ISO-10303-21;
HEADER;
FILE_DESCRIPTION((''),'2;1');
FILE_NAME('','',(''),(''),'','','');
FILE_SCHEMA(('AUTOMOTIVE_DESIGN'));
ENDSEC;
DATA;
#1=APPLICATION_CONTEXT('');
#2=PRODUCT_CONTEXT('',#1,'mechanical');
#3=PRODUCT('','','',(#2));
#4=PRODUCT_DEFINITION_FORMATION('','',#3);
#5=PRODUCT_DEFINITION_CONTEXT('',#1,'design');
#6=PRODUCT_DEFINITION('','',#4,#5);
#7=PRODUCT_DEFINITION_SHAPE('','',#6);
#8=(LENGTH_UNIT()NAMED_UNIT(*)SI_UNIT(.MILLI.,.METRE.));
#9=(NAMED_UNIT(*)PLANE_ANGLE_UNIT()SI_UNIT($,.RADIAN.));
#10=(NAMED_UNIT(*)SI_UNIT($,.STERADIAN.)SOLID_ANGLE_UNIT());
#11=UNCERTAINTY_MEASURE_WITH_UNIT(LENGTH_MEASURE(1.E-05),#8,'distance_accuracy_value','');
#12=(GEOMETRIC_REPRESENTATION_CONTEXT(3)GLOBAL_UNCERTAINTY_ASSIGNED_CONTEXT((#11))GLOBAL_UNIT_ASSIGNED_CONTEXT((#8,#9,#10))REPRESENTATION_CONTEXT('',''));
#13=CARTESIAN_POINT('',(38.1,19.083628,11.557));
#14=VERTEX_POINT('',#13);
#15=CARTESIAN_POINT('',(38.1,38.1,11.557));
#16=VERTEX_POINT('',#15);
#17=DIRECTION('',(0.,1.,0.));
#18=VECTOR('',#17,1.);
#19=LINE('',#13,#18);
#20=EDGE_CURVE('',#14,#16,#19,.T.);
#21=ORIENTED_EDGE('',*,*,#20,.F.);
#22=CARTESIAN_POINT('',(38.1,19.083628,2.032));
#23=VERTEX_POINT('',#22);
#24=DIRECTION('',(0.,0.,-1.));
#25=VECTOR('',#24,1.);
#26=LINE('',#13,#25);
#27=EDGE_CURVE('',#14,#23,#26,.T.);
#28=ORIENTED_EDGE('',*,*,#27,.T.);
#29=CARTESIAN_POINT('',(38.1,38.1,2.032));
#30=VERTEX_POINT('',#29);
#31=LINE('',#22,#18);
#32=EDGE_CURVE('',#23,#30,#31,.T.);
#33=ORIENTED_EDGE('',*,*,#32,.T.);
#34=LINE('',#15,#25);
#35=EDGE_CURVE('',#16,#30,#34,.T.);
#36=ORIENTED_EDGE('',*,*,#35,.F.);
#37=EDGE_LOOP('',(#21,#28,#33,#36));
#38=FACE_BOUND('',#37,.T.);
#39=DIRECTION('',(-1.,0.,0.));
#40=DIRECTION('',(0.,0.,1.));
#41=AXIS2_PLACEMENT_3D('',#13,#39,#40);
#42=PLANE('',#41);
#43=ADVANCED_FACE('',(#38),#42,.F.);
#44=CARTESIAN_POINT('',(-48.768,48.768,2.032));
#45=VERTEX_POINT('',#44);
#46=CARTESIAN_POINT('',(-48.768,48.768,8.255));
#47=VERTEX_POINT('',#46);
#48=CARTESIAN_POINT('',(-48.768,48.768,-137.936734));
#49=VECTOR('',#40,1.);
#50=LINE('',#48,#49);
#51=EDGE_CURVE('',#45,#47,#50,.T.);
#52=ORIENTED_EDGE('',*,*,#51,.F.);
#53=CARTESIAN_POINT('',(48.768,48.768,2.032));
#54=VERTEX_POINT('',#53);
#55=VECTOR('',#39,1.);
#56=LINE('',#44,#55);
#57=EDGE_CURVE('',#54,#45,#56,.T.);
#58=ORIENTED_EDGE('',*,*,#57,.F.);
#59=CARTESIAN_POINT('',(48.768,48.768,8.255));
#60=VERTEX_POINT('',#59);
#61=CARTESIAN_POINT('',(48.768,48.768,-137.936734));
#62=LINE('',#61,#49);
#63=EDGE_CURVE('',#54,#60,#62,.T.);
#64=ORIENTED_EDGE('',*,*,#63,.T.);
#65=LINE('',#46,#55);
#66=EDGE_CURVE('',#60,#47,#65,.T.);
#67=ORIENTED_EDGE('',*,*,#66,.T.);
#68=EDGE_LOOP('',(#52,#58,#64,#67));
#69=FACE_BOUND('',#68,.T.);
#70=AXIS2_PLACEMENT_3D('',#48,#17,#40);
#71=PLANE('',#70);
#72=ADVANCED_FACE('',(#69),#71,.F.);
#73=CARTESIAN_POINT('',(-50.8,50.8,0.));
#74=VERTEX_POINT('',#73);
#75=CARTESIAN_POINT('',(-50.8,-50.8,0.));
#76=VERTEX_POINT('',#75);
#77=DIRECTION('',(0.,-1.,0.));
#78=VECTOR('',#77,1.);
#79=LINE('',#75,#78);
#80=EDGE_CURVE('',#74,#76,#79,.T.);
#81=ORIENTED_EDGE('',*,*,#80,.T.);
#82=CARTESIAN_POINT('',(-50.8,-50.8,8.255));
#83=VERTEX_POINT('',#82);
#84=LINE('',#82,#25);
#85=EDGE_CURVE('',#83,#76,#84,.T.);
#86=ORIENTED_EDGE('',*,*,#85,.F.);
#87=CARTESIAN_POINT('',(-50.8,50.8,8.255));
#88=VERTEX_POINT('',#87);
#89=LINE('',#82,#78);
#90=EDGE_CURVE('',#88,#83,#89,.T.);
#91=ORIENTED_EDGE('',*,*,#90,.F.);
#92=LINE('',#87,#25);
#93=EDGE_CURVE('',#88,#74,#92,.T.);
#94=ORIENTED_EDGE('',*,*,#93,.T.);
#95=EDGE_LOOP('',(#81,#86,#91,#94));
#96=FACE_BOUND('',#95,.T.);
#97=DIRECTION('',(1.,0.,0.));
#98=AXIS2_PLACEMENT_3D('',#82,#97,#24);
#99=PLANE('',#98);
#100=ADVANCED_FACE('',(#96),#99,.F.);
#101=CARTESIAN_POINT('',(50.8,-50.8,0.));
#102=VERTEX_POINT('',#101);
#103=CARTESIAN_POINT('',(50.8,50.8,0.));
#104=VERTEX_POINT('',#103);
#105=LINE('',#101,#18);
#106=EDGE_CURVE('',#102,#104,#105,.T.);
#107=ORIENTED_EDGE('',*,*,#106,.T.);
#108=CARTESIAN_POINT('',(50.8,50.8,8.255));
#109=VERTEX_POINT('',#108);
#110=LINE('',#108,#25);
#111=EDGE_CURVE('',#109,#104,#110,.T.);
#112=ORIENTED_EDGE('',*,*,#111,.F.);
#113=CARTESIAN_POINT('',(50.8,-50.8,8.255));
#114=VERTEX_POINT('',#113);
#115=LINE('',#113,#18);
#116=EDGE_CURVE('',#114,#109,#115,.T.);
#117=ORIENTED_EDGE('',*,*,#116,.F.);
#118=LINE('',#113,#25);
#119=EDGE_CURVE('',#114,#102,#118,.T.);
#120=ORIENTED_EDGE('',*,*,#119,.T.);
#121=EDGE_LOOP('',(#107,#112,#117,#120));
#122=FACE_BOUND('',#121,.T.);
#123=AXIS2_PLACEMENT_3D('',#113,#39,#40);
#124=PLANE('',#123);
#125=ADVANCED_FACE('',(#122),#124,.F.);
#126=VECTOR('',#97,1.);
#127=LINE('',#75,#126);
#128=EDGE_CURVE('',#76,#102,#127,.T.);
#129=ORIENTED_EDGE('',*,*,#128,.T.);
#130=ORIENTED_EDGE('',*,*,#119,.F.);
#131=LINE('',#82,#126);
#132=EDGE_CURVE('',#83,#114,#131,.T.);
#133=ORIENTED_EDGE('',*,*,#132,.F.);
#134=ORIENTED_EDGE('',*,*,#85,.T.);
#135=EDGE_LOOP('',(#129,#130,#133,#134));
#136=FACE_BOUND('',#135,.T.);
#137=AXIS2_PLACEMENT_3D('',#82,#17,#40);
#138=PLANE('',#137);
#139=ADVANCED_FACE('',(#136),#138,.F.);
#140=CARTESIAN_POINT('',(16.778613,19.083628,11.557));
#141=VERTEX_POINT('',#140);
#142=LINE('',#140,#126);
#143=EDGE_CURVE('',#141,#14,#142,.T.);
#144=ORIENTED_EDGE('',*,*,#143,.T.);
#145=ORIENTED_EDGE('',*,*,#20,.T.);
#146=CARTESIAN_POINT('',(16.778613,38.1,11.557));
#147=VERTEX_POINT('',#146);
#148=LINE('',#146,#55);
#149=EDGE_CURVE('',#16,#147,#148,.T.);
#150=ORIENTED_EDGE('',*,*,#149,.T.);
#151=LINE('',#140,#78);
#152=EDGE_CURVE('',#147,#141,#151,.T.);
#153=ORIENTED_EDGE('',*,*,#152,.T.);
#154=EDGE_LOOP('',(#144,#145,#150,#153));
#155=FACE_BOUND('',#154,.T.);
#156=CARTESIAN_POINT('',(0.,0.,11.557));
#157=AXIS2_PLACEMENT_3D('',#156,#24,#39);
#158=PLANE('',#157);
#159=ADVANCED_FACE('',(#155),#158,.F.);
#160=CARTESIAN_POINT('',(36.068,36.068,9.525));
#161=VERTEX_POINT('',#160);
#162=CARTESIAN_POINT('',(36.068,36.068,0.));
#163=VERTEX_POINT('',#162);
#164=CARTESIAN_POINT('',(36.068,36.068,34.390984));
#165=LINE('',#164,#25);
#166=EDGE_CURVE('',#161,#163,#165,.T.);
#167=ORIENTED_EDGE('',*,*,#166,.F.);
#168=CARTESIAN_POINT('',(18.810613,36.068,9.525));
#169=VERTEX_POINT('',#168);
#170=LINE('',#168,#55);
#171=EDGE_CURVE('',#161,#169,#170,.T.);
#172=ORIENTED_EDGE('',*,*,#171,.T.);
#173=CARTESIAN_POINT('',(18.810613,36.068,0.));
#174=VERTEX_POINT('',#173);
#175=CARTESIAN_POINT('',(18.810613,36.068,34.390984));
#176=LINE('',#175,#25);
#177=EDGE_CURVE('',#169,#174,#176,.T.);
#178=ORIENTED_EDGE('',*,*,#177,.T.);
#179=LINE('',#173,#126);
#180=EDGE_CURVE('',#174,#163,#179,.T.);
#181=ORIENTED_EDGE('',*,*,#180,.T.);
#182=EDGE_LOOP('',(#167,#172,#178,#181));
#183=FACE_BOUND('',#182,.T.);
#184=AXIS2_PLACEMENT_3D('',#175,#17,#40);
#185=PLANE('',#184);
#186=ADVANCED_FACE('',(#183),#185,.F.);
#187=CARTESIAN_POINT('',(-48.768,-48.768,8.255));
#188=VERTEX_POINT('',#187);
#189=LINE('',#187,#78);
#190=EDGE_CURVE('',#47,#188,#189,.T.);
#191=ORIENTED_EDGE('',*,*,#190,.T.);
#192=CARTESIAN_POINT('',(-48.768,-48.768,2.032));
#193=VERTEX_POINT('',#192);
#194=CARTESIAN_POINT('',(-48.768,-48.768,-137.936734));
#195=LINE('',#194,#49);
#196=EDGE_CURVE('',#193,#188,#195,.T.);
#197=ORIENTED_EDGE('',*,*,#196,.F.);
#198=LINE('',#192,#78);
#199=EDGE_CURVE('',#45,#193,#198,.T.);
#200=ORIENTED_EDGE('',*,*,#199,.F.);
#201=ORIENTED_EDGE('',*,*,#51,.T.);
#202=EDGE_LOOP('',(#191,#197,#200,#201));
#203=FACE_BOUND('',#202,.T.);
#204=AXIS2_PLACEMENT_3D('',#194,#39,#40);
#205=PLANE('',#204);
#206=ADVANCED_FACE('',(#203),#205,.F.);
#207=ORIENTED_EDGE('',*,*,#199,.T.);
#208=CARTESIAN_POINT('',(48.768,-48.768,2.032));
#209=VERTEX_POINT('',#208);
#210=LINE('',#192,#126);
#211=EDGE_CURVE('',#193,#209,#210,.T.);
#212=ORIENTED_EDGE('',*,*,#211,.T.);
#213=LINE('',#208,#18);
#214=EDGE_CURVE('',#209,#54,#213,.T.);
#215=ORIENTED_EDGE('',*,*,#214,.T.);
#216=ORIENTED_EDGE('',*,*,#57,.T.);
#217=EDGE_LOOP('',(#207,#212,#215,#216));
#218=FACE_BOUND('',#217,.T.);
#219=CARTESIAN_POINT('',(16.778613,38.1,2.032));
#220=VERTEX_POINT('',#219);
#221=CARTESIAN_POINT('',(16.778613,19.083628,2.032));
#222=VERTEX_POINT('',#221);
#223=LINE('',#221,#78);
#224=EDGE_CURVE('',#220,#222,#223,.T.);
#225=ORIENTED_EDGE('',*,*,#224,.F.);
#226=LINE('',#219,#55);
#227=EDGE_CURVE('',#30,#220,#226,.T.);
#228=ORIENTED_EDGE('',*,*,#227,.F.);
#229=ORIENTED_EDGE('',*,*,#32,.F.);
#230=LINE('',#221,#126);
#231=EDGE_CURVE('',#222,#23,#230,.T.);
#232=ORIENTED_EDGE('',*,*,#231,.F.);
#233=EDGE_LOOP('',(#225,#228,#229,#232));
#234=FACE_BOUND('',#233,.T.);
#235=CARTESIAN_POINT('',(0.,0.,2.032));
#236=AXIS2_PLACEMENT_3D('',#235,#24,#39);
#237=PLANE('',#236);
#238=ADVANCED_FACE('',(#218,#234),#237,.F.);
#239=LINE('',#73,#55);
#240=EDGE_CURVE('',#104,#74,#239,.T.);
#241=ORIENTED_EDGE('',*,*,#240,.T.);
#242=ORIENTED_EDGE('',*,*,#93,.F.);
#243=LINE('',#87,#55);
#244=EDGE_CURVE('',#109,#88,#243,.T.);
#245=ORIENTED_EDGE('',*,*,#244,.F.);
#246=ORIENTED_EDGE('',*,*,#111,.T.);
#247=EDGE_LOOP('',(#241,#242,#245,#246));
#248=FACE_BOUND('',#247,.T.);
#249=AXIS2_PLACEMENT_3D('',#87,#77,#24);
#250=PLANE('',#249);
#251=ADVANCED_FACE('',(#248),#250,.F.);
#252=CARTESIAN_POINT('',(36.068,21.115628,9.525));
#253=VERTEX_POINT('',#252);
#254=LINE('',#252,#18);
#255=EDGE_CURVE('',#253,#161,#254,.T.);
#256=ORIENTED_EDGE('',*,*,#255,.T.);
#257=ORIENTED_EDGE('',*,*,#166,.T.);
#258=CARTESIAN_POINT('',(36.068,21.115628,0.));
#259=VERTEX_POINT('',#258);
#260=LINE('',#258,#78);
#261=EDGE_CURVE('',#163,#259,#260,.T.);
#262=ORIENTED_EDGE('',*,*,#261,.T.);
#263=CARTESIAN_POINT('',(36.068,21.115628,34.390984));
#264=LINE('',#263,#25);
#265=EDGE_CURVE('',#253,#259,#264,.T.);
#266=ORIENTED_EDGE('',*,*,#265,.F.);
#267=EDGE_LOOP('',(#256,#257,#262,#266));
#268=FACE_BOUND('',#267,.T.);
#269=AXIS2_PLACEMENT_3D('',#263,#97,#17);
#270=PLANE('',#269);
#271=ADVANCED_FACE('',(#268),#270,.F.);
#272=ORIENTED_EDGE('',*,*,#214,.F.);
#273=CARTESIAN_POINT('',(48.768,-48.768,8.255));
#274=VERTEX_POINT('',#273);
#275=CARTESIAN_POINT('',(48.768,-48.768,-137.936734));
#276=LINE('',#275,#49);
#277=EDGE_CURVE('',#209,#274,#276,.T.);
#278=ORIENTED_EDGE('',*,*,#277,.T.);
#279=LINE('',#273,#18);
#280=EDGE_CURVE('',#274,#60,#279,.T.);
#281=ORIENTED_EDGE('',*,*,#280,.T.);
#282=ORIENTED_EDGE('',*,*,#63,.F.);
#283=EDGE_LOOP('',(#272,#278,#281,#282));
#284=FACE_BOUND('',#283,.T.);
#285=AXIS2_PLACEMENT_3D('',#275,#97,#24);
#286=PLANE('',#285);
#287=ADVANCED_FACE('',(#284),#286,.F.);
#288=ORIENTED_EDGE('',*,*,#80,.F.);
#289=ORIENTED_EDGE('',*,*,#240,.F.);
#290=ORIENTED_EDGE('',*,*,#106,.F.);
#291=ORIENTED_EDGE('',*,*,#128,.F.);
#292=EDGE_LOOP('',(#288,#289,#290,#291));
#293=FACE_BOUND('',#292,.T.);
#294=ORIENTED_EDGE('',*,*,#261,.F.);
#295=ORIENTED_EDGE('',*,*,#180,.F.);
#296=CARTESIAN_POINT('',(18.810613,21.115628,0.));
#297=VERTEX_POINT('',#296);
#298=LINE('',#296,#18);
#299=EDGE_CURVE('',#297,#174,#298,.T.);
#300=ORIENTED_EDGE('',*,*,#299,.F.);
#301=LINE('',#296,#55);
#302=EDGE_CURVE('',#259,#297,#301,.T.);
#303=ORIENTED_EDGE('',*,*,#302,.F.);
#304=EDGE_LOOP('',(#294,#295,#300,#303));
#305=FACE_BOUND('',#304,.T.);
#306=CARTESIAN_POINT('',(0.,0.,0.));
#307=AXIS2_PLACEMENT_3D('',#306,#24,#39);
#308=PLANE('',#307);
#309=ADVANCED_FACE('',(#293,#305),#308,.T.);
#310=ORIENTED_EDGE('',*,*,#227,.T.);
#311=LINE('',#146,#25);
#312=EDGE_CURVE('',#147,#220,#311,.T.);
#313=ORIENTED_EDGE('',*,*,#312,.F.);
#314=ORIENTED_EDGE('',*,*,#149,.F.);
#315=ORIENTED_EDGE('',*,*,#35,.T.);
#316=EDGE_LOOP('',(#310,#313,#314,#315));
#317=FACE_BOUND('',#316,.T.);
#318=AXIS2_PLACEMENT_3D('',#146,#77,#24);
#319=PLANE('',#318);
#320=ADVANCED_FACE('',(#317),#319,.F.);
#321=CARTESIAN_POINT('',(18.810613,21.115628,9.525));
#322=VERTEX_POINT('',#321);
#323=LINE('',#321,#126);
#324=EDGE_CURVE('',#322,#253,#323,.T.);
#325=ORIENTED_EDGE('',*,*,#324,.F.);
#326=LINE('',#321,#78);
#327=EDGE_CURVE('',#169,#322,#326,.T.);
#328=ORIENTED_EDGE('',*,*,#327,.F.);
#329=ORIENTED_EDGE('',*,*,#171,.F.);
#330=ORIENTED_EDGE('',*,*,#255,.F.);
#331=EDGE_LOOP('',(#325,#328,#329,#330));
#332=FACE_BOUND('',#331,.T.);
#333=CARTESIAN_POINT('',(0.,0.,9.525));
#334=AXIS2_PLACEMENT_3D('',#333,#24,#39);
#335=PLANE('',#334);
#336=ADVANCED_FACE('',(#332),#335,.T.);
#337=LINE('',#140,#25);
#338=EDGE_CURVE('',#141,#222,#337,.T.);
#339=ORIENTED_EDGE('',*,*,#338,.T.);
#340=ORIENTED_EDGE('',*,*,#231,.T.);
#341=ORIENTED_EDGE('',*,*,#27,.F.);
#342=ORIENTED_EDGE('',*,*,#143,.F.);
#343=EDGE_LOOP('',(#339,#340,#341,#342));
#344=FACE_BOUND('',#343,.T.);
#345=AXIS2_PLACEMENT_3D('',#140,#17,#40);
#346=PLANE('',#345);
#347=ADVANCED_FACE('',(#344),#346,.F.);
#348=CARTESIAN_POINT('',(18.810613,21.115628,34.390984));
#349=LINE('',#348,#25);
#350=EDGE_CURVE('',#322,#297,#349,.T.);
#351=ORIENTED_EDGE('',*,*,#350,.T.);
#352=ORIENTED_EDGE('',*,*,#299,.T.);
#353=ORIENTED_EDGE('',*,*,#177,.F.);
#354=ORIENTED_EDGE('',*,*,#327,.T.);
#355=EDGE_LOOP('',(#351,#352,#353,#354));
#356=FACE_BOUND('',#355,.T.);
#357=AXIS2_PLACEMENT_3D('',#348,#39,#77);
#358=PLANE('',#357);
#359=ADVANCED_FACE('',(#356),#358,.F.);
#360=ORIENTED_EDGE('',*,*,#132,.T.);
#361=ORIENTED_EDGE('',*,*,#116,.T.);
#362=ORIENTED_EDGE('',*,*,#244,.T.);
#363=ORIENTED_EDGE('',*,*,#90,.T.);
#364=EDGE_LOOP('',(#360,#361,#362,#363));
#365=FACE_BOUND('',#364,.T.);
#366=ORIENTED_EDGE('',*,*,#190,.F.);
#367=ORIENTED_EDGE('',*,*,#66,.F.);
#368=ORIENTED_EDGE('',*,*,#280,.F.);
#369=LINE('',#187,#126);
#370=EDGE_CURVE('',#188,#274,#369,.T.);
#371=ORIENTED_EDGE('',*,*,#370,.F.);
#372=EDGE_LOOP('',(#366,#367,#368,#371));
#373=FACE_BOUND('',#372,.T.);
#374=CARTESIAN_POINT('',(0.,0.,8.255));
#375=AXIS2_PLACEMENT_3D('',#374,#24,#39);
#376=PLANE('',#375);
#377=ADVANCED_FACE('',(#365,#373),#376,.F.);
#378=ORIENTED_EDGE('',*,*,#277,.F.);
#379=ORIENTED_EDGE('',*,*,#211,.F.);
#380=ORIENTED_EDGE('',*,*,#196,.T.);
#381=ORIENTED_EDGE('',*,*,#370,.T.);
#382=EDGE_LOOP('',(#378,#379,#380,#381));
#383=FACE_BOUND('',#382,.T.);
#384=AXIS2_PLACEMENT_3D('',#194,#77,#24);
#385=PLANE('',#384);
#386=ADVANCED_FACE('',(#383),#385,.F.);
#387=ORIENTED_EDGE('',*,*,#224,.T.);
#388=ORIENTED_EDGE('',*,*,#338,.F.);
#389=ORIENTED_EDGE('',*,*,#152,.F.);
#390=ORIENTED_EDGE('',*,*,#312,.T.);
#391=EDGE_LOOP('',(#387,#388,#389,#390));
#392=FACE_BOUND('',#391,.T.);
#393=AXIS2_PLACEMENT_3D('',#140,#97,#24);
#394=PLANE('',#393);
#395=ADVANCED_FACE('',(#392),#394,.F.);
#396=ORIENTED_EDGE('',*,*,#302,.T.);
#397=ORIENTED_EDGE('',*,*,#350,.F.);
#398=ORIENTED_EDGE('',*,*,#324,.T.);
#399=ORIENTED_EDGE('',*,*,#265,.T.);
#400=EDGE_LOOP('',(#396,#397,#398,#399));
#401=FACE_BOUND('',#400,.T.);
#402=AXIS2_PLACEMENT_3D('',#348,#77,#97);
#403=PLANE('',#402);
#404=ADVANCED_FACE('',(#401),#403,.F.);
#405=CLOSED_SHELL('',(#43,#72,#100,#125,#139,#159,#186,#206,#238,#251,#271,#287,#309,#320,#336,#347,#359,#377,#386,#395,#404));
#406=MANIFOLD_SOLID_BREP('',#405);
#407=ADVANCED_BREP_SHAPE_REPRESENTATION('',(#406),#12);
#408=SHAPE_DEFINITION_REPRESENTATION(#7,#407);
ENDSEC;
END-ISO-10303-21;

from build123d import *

# Parameters (mm, degrees)
SKETCH1_W           = 101.6
SKETCH1_H           = 101.6
BOSS_EXTRUDE1_DEPTH = 8.255
SKETCH3_W           = 97.536
SKETCH3_H           = 97.536
CUT_EXTRUDE1_DEPTH  = 6.223
SKETCH4_W           = 21.321387129
SKETCH4_H           = 19.016372304
BOSS_EXTRUDE2_DEPTH = 9.525
SKETCH6_W           = 17.257387129
SKETCH6_H           = 14.952372304
CUT_EXTRUDE2_DEPTH  = 9.525


with BuildPart() as part:
    # Sketch1 → Boss-Extrude1 (new body)
    with BuildSketch(Plane.XY):
        Rectangle(SKETCH1_W, SKETCH1_H)
    extrude(amount=BOSS_EXTRUDE1_DEPTH)

    # Sketch3 → Cut-Extrude1 (cut)
    with BuildSketch(Plane.XY.offset(8.255)):
        Rectangle(SKETCH3_W, SKETCH3_H)
    extrude(amount=-CUT_EXTRUDE1_DEPTH, mode=Mode.SUBTRACT)

    # Sketch4 → Boss-Extrude2 (add)
    with BuildSketch(Plane.XY.offset(2.032)):
        with Locations((27.439306436, 28.591813848)):
            Rectangle(SKETCH4_W, SKETCH4_H)
    extrude(amount=BOSS_EXTRUDE2_DEPTH)

    # Sketch6 → Cut-Extrude2 (cut)
    with BuildSketch(Plane(origin=(0, 0, 0), x_dir=(-1, 0, 0), z_dir=(0, 0, -1))):
        with Locations((-27.439306436, 28.591813848)):
            Rectangle(SKETCH6_W, SKETCH6_H)
    extrude(amount=-CUT_EXTRUDE2_DEPTH, mode=Mode.SUBTRACT)


solid = part.part
